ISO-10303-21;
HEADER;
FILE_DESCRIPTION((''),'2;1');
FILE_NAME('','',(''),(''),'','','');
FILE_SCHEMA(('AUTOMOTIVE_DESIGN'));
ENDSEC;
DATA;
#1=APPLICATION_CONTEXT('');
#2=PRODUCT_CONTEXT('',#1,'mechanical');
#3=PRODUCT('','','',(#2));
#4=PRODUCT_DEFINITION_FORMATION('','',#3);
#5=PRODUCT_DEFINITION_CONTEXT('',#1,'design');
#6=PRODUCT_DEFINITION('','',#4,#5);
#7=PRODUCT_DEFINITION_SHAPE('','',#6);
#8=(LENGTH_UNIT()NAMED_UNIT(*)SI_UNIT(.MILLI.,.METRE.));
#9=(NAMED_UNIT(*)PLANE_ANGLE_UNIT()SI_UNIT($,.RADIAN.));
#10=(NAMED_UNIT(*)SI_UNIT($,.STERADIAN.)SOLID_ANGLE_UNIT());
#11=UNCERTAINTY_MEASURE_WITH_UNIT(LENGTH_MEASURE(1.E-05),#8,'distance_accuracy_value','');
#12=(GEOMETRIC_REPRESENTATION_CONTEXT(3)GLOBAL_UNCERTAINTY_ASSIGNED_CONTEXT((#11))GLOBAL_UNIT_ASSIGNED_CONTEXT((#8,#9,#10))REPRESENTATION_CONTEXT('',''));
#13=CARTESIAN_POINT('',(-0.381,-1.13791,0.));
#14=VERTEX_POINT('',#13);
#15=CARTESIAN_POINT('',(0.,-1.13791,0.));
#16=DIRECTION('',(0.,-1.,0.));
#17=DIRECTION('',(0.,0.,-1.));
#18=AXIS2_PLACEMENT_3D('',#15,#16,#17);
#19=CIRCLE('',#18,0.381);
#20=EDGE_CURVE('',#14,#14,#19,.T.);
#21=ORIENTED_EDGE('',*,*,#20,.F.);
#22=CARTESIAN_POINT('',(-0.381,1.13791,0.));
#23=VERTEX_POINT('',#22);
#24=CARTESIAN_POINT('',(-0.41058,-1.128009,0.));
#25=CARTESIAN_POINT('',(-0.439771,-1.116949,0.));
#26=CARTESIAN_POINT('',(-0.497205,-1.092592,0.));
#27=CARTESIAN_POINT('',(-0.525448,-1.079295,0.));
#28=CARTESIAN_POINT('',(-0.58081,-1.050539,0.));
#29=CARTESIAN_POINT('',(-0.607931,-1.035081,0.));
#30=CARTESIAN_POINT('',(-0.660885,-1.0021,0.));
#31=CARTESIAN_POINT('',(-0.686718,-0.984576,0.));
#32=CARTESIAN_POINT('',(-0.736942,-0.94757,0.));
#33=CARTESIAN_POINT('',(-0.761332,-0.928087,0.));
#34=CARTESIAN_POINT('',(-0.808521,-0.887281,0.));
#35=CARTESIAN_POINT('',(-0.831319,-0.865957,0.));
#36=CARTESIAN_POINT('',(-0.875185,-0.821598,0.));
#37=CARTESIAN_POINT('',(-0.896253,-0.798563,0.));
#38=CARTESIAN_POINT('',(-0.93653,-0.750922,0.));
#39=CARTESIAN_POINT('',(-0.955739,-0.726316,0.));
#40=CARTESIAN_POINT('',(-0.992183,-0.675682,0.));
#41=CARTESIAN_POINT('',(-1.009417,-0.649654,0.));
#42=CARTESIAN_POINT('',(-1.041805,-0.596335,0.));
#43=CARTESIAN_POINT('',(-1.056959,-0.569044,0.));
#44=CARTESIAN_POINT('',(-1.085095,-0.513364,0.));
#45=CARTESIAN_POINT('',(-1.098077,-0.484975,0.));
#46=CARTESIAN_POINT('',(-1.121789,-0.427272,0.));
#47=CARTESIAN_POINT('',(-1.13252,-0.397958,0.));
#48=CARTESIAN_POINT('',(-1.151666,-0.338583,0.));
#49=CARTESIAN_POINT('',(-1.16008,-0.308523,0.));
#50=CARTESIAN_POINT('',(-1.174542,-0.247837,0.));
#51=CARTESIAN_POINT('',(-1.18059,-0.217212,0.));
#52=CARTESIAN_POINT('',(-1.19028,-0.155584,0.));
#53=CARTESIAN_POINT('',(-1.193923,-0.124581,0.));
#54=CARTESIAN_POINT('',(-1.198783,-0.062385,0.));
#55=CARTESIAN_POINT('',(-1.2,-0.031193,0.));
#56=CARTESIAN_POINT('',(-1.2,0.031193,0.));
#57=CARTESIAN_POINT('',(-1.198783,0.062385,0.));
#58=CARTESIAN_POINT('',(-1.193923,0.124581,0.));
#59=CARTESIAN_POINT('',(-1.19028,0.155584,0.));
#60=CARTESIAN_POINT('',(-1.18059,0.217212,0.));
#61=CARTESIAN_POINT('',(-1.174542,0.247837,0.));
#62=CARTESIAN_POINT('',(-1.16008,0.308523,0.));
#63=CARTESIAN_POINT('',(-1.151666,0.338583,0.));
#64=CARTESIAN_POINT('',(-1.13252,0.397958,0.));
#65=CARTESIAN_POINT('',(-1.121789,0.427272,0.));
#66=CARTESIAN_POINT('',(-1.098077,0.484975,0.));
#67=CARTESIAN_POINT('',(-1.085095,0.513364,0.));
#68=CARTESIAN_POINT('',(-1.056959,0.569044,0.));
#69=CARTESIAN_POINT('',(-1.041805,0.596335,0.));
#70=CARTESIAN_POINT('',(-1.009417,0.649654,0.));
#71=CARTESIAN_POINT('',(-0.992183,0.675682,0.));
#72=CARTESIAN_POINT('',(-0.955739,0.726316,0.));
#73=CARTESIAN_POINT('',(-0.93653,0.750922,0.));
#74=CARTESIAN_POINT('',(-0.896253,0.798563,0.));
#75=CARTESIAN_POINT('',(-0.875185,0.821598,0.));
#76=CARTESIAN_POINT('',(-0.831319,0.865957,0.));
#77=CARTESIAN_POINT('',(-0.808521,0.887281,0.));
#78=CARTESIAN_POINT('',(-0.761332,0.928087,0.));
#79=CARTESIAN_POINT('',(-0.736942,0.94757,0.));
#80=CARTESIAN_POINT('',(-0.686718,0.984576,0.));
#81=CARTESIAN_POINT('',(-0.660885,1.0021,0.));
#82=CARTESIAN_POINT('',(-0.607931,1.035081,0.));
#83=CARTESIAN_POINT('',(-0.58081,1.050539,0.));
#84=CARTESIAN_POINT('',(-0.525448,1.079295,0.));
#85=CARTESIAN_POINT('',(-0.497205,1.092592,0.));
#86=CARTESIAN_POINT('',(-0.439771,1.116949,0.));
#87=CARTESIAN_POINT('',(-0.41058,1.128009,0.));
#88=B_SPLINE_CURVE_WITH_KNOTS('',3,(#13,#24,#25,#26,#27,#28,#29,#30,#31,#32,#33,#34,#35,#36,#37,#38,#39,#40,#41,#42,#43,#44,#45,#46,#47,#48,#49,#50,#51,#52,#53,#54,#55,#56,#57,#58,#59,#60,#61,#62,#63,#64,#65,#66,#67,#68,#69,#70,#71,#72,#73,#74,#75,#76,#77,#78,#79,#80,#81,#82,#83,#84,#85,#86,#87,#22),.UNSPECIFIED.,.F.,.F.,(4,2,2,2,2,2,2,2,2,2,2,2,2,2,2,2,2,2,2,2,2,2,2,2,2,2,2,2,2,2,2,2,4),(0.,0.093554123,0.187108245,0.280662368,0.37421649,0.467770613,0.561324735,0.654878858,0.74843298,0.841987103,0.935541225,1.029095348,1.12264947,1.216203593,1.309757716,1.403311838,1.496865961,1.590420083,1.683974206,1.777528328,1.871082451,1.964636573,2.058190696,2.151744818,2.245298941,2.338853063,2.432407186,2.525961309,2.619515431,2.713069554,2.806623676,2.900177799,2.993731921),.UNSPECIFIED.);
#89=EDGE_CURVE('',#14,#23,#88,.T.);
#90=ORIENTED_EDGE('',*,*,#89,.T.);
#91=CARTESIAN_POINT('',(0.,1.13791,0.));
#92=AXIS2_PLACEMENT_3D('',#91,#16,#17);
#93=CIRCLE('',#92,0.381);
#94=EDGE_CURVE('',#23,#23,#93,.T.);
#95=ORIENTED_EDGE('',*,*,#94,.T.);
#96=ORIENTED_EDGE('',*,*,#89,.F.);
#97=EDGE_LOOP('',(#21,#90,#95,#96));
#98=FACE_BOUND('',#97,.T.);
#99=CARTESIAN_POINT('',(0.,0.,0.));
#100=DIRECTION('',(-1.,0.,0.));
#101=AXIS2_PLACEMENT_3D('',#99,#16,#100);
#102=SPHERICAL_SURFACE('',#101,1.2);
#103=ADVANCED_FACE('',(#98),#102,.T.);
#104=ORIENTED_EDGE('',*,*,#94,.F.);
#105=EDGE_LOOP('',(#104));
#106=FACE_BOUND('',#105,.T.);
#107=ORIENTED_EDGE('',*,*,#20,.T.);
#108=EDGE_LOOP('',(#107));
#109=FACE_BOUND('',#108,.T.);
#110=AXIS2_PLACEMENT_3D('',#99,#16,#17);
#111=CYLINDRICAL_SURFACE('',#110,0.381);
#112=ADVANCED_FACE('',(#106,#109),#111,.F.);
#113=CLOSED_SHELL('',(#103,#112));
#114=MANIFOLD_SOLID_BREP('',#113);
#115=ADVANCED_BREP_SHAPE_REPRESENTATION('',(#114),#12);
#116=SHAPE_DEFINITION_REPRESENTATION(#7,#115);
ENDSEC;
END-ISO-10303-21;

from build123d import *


with BuildPart() as part:
    # Sketch1 → Revolve1 (revolve)
    with BuildSketch(Plane.XY):
        with BuildLine():
            Line((-0.381, 1.137909926), (-0.381, -1.137909926))
            ThreePointArc((-0.381, -1.137909926), (-1.2, 0), (-0.381, 1.137909926))
        make_face()
    revolve(axis=Axis((0, 0, 0), (0, 1, 0)))


solid = part.part
